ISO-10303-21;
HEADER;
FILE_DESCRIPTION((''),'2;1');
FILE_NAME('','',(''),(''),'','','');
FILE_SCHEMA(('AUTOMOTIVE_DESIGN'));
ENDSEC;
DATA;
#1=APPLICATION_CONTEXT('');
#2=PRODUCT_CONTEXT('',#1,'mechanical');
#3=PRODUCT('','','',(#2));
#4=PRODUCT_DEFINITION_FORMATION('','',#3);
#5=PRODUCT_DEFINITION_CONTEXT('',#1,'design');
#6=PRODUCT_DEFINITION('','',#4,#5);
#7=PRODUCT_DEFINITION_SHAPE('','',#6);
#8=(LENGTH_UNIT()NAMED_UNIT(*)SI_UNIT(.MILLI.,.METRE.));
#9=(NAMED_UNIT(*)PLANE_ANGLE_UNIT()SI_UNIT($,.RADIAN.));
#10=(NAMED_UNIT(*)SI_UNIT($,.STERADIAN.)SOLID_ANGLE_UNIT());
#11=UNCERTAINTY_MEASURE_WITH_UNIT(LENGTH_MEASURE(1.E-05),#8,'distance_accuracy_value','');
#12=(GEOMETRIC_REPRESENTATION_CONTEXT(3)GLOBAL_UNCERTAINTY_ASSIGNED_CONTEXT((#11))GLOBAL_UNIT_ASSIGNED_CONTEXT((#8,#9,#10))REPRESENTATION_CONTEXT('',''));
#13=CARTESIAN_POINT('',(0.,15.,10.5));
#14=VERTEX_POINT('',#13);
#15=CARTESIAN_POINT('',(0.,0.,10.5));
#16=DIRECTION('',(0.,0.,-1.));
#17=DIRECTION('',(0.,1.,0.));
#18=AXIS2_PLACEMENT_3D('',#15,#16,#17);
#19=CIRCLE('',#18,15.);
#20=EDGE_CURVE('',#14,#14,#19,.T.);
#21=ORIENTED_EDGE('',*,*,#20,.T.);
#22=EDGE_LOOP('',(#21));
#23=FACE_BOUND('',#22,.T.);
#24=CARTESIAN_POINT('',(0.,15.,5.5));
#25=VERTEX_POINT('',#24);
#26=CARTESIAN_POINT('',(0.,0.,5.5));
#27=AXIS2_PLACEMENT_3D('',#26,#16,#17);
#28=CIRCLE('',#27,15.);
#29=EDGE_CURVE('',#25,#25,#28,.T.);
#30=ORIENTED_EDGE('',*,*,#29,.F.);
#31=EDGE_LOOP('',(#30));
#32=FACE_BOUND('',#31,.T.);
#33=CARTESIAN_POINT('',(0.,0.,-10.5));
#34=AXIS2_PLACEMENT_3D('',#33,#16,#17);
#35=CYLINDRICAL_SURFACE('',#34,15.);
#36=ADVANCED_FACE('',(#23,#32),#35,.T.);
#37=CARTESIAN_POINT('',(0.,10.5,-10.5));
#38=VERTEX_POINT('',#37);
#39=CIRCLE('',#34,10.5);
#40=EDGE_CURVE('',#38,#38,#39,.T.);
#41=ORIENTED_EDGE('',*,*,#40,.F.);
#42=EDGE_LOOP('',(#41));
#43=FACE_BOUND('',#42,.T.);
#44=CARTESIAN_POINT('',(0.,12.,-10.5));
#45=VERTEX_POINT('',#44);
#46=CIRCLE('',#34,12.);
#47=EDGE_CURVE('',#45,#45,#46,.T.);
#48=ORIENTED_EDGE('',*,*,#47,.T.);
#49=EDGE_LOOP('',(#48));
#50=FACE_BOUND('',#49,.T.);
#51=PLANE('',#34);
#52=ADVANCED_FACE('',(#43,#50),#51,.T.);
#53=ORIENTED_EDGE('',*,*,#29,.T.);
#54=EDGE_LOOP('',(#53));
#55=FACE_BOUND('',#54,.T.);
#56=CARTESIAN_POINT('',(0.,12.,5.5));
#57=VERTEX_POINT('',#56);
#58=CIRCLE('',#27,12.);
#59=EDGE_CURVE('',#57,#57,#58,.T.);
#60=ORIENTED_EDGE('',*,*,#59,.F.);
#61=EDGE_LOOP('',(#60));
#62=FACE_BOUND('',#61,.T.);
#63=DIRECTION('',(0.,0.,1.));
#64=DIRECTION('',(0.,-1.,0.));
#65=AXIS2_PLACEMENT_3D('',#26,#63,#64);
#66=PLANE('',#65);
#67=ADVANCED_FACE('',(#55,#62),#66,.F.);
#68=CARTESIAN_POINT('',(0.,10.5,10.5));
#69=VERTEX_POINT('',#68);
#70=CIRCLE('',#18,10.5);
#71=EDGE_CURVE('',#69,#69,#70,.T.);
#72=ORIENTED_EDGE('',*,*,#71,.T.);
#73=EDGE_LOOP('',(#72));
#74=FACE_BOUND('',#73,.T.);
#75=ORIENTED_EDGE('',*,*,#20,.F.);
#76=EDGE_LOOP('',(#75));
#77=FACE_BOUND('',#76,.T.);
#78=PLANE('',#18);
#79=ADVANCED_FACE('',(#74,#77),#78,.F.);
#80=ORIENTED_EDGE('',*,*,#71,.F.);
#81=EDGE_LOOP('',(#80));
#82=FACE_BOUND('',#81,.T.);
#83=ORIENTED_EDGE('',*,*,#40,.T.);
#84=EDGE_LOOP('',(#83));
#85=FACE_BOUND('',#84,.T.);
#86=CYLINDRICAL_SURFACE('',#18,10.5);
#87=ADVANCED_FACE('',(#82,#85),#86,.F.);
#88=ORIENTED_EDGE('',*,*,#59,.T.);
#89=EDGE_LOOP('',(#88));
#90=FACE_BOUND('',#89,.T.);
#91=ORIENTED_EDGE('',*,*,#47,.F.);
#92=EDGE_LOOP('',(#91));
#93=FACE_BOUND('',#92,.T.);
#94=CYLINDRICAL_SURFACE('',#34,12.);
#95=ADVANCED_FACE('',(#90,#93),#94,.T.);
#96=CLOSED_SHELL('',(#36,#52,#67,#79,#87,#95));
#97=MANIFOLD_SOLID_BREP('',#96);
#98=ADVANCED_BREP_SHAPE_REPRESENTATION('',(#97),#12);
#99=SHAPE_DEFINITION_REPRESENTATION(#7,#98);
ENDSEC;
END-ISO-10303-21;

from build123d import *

# Parameters (mm, degrees)
SKETCH3_R          = 10.5
CUT_EXTRUDE1_DEPTH = 30.849623113


with BuildPart() as part:
    # Sketch2 → Revolve1 (revolve)
    with BuildSketch(Plane(origin=(0, 0, 0), x_dir=(0, 0, -1), z_dir=(1, 0, 0))):
        Polygon((10.5, 0), (10.5, 12), (-5.5, 12), (-5.5, 15), (-10.5, 15), (-10.5, 0), align=None)
    revolve(axis=Axis((0, 0, -10.5), (0, 0, 1)))

    # Sketch3 → Cut-Extrude1 (cut, through all)
    with BuildSketch(Plane(origin=(0, 0, -10.5), x_dir=(-1, 0, 0), z_dir=(0, 0, -1))):
        with Locations(Location((0, 0, 0), (0, 0, 90))):
            Circle(SKETCH3_R)
    extrude(amount=-CUT_EXTRUDE1_DEPTH, mode=Mode.SUBTRACT)


solid = part.part
